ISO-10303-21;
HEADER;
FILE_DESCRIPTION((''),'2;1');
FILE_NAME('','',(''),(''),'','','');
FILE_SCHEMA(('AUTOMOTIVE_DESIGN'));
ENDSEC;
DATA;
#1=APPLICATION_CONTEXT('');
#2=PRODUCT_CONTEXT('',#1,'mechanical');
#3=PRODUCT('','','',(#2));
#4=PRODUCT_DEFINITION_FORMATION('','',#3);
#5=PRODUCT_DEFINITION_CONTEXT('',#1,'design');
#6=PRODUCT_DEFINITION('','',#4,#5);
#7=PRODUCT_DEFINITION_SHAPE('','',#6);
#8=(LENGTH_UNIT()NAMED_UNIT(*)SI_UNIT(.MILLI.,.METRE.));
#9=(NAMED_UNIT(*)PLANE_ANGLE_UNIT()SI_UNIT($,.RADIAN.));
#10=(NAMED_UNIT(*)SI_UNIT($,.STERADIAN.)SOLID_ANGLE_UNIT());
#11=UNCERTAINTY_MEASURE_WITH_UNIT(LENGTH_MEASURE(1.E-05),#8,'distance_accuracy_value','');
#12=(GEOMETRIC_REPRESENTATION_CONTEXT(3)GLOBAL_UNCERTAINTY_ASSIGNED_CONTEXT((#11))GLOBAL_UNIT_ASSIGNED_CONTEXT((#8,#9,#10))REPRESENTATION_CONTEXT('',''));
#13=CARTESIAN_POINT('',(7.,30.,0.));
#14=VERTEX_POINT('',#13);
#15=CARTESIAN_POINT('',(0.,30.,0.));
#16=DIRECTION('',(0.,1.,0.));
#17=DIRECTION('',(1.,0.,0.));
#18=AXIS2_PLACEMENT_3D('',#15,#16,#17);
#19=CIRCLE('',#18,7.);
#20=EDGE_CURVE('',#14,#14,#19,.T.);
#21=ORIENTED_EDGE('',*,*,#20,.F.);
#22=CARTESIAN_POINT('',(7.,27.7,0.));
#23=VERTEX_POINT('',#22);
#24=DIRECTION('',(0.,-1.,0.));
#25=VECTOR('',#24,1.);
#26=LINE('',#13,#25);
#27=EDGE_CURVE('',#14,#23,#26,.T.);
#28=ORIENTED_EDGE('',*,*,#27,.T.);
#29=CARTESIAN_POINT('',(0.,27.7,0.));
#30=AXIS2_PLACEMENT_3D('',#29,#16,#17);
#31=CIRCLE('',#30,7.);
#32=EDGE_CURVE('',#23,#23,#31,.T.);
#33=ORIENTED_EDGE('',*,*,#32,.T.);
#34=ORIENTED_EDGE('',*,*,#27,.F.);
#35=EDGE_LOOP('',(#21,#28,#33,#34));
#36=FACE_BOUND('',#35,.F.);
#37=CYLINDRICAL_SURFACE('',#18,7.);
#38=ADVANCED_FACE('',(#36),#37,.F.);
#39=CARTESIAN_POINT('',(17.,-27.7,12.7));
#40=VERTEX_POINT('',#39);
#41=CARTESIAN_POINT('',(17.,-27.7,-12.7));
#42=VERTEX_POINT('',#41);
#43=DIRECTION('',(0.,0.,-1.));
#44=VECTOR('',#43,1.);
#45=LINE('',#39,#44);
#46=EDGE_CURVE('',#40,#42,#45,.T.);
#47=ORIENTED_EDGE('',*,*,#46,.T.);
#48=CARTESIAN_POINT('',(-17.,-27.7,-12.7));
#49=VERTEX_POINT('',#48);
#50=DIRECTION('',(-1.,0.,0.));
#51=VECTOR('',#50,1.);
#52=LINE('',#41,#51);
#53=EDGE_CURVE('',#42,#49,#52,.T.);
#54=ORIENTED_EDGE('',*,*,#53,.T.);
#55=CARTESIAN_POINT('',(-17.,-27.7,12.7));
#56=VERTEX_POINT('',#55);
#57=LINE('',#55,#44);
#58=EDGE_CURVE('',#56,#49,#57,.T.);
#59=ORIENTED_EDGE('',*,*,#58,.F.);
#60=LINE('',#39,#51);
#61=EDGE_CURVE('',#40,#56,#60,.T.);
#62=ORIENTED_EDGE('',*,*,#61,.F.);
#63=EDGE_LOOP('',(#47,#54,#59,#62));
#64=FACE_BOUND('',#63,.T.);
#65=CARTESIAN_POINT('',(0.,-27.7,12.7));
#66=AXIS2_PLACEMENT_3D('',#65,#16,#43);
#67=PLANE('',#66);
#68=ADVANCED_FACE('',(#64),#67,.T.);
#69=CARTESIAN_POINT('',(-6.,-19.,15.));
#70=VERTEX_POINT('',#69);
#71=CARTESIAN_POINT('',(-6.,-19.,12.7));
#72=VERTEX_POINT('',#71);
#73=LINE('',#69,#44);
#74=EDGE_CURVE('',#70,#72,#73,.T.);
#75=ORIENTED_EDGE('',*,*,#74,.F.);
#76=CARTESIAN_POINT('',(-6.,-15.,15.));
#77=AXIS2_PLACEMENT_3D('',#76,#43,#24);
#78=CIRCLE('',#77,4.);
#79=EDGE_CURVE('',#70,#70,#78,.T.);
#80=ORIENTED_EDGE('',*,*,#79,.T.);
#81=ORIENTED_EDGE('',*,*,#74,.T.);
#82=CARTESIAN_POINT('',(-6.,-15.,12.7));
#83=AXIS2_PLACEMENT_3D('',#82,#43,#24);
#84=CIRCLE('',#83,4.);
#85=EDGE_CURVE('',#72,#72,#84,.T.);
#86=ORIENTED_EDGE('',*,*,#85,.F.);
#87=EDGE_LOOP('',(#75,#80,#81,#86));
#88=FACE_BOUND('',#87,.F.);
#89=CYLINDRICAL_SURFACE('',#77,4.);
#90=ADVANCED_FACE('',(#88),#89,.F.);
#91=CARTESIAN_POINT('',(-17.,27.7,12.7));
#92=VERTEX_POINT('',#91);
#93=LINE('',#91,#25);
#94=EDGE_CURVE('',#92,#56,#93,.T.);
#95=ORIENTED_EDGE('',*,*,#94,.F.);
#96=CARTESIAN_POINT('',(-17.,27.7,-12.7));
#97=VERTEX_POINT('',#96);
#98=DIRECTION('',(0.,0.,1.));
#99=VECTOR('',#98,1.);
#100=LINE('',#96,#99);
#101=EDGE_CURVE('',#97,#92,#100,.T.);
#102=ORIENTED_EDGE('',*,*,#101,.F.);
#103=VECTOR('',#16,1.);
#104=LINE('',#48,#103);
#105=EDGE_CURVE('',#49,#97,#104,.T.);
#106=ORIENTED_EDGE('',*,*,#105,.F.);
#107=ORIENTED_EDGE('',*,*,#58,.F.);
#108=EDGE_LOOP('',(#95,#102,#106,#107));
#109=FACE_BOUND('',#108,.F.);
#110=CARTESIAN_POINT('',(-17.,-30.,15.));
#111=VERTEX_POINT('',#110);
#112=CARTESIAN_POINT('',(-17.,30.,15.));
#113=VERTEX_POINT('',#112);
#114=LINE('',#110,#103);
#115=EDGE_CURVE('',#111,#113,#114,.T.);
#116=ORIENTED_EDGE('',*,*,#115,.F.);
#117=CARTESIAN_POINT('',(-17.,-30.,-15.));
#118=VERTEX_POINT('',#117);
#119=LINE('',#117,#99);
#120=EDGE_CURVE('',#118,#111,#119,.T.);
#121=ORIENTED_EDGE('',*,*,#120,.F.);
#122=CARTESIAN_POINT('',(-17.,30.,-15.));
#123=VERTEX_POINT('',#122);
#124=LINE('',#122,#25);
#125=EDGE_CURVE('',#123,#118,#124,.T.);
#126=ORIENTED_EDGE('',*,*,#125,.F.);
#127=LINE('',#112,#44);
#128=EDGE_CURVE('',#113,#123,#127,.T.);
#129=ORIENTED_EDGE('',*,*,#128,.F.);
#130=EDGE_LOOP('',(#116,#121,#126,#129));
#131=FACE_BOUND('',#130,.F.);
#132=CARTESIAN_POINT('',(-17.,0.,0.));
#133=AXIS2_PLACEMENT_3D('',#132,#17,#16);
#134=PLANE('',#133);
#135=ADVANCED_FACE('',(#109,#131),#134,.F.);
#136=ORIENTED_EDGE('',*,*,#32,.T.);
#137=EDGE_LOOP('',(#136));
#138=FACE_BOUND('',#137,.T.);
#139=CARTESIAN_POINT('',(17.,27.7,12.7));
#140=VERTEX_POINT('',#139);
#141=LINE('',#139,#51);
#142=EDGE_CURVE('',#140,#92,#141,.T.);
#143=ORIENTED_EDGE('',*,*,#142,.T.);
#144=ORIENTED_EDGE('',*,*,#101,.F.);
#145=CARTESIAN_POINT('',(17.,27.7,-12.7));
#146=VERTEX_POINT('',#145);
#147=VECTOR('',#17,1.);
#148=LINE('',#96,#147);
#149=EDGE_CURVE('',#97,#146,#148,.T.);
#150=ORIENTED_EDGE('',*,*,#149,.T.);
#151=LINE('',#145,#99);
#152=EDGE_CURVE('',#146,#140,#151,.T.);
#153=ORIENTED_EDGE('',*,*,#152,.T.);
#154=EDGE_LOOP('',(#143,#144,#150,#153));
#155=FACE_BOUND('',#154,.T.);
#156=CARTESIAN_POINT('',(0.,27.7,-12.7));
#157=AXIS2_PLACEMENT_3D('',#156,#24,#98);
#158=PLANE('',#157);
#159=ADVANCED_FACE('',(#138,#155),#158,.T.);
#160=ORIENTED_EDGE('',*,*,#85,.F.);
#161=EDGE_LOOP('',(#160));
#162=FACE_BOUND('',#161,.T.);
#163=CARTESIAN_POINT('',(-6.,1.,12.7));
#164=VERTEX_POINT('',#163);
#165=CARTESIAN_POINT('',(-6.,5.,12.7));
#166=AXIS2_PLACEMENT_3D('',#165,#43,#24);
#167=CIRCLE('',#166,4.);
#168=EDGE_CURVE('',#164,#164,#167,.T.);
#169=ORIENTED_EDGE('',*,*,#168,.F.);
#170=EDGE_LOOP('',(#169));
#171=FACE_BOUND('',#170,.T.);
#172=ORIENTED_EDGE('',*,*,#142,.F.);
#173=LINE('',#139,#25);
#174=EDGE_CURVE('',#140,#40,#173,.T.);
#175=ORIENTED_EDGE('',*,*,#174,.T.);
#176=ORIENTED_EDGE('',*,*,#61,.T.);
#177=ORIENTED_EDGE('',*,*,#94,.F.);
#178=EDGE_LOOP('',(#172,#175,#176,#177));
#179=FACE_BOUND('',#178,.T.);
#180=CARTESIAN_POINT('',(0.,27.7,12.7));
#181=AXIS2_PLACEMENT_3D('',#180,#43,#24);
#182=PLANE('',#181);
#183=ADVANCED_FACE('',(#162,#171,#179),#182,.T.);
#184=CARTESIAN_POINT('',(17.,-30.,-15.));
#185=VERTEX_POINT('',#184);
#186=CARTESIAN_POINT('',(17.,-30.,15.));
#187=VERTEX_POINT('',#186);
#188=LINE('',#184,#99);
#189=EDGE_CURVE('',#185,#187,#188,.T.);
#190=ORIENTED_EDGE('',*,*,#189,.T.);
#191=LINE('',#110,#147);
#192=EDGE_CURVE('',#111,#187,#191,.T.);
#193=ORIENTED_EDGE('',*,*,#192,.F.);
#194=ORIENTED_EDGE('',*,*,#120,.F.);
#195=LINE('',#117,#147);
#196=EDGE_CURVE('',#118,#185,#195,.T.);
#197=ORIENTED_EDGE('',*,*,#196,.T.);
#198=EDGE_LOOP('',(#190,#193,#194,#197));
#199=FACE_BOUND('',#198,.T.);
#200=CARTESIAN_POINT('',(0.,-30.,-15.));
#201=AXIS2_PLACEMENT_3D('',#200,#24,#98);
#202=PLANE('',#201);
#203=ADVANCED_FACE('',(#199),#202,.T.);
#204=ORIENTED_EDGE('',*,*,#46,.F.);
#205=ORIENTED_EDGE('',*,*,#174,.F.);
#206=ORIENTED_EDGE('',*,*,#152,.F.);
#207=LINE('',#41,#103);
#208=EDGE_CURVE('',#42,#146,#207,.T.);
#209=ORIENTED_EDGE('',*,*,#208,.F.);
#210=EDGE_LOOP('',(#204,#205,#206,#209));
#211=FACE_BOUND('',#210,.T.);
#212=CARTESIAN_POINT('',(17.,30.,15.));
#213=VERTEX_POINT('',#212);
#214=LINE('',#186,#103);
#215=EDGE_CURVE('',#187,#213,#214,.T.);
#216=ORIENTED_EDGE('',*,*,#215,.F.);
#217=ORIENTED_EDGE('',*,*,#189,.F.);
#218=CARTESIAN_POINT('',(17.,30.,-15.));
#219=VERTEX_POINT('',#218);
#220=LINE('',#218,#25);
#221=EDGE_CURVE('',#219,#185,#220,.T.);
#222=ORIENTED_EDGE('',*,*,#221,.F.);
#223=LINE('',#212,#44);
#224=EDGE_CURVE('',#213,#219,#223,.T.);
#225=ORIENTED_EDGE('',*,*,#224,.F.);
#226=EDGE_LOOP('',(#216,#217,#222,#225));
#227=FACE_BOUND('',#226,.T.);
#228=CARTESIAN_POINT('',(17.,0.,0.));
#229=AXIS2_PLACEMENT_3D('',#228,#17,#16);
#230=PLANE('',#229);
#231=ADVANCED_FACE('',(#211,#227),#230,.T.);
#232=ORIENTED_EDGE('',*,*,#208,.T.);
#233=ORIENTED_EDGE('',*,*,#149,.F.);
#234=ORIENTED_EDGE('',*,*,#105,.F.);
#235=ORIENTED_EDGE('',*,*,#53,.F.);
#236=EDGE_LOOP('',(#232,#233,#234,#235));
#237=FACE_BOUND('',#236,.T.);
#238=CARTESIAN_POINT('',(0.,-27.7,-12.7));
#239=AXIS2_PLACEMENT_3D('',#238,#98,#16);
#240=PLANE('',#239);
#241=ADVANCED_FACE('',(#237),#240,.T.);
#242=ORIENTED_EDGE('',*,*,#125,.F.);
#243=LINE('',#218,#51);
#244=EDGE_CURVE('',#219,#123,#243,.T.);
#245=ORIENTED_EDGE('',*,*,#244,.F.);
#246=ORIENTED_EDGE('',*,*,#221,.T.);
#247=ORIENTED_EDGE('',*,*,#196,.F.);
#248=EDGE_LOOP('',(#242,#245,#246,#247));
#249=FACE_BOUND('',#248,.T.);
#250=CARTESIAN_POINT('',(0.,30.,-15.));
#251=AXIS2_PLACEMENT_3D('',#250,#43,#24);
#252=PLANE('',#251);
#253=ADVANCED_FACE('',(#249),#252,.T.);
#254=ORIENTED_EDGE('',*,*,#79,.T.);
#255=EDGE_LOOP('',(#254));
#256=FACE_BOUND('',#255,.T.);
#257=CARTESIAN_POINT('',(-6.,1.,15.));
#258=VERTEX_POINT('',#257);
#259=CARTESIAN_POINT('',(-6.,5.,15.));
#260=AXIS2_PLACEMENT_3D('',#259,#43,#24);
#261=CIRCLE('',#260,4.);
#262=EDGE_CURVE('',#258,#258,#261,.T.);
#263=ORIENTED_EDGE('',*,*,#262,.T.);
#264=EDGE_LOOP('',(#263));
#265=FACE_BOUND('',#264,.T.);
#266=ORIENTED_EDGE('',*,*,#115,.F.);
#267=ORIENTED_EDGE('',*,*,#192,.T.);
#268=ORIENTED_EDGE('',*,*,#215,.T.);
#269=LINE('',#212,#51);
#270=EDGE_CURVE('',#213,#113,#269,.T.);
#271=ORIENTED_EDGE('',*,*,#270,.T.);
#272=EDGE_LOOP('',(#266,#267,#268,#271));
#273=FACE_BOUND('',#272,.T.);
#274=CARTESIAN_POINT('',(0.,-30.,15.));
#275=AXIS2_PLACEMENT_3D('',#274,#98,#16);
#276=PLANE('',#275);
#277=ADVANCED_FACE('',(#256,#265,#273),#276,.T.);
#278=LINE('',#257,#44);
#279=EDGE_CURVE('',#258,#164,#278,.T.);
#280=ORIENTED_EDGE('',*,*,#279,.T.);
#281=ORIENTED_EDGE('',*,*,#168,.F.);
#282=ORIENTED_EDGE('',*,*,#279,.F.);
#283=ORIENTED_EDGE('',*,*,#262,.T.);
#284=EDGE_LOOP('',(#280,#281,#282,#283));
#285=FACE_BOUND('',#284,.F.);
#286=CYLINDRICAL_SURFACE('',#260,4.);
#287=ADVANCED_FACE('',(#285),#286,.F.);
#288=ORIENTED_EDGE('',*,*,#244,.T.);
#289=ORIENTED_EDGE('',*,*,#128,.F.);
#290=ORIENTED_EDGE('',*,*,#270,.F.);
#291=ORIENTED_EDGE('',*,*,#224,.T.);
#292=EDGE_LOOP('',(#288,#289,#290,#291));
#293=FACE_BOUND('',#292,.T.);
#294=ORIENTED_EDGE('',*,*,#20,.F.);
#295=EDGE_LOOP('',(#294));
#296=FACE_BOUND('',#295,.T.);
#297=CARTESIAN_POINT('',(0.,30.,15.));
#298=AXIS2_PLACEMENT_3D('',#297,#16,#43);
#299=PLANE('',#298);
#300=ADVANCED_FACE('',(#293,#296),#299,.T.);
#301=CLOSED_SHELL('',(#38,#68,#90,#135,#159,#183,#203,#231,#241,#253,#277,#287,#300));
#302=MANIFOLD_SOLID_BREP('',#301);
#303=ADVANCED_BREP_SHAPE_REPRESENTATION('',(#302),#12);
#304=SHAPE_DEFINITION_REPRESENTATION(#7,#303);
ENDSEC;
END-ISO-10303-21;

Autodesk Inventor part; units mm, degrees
ref_plane "YZ Plane" through (0, 0, 0) normal (1, 0, 0) x (0, 1, 0)
ref_plane "XZ Plane" through (0, 0, 0) normal (0, 1, 0) x (-1, 0, 0)
ref_plane "XY Plane" through (0, 0, 0) normal (0, 0, 1) x (1, 0, 0)
sketch "スケッチ1" plane through (0, 0, 0) normal (1, 0, 0) x (0, 1, 0)
  line L0 (-30, 15) -> (30, 15)
  line L1 (30, 15) -> (30, -15)
  line L2 (30, -15) -> (-30, -15)
  line L3 (-30, -15) -> (-30, 15)
  line L4 (-30, 15) -> (30, -15) construction
  line L5 (30, 15) -> (-30, -15) construction
  line L6 (27.7, -12.7) -> (27.7, 12.7)
  line L7 (27.7, 12.7) -> (-27.7, 12.7)
  line L8 (-27.7, 12.7) -> (-27.7, -12.7)
  line L9 (-27.7, -12.7) -> (27.7, -12.7)
  point P0 (0, 0)
  dimension "d0" = 60
  dimension "d1" = 30
  dimension "d2" = 2.3
extrude "押し出し1" add sketch "スケッチ1" along normal mid plane 34
sketch "スケッチ2" plane through (-17, 30, 15) normal (0, 1, 0) x (1, 0, 0)
  line L0 (0, 0) -> (0, 30) projected
  circle A0 centre (17, 15) radius 7
  line L1 (34, 0) -> (0, 0) projected
  point P0 (17, 15)
  dimension "d6" = 14
  dimension "d7" = 17
  dimension "d10" = 15
extrude "押し出し2" cut sketch "スケッチ2" against normal blind 5
sketch "スケッチ3" plane through (-17, -30, 15) normal (0, 0, 1) x (1, 0, 0)
  line L0 (0, 46.9678) -> (20, 46.9678)
  line L1 (20, 46.9678) -> (20, 56.9678) projected
  line L2 (0, 56.9678) -> (20, 56.9678)
  point P0 (17, 30)
sketch "スケッチ4" plane through (-17, -30, 15) normal (0, 0, 1) x (1, 0, 0)
  circle A0 centre (11, 15) radius 4 projected
  circle A1 centre (11, 35) radius 4 projected
  point P0 (17, 30)
hole "穴1" at (-6, -15, 15) at (-6, 5, 15) direction (0, 0, -1) diameter 8 depth 4 tip angle 118
properties part number "車軸受け2"
